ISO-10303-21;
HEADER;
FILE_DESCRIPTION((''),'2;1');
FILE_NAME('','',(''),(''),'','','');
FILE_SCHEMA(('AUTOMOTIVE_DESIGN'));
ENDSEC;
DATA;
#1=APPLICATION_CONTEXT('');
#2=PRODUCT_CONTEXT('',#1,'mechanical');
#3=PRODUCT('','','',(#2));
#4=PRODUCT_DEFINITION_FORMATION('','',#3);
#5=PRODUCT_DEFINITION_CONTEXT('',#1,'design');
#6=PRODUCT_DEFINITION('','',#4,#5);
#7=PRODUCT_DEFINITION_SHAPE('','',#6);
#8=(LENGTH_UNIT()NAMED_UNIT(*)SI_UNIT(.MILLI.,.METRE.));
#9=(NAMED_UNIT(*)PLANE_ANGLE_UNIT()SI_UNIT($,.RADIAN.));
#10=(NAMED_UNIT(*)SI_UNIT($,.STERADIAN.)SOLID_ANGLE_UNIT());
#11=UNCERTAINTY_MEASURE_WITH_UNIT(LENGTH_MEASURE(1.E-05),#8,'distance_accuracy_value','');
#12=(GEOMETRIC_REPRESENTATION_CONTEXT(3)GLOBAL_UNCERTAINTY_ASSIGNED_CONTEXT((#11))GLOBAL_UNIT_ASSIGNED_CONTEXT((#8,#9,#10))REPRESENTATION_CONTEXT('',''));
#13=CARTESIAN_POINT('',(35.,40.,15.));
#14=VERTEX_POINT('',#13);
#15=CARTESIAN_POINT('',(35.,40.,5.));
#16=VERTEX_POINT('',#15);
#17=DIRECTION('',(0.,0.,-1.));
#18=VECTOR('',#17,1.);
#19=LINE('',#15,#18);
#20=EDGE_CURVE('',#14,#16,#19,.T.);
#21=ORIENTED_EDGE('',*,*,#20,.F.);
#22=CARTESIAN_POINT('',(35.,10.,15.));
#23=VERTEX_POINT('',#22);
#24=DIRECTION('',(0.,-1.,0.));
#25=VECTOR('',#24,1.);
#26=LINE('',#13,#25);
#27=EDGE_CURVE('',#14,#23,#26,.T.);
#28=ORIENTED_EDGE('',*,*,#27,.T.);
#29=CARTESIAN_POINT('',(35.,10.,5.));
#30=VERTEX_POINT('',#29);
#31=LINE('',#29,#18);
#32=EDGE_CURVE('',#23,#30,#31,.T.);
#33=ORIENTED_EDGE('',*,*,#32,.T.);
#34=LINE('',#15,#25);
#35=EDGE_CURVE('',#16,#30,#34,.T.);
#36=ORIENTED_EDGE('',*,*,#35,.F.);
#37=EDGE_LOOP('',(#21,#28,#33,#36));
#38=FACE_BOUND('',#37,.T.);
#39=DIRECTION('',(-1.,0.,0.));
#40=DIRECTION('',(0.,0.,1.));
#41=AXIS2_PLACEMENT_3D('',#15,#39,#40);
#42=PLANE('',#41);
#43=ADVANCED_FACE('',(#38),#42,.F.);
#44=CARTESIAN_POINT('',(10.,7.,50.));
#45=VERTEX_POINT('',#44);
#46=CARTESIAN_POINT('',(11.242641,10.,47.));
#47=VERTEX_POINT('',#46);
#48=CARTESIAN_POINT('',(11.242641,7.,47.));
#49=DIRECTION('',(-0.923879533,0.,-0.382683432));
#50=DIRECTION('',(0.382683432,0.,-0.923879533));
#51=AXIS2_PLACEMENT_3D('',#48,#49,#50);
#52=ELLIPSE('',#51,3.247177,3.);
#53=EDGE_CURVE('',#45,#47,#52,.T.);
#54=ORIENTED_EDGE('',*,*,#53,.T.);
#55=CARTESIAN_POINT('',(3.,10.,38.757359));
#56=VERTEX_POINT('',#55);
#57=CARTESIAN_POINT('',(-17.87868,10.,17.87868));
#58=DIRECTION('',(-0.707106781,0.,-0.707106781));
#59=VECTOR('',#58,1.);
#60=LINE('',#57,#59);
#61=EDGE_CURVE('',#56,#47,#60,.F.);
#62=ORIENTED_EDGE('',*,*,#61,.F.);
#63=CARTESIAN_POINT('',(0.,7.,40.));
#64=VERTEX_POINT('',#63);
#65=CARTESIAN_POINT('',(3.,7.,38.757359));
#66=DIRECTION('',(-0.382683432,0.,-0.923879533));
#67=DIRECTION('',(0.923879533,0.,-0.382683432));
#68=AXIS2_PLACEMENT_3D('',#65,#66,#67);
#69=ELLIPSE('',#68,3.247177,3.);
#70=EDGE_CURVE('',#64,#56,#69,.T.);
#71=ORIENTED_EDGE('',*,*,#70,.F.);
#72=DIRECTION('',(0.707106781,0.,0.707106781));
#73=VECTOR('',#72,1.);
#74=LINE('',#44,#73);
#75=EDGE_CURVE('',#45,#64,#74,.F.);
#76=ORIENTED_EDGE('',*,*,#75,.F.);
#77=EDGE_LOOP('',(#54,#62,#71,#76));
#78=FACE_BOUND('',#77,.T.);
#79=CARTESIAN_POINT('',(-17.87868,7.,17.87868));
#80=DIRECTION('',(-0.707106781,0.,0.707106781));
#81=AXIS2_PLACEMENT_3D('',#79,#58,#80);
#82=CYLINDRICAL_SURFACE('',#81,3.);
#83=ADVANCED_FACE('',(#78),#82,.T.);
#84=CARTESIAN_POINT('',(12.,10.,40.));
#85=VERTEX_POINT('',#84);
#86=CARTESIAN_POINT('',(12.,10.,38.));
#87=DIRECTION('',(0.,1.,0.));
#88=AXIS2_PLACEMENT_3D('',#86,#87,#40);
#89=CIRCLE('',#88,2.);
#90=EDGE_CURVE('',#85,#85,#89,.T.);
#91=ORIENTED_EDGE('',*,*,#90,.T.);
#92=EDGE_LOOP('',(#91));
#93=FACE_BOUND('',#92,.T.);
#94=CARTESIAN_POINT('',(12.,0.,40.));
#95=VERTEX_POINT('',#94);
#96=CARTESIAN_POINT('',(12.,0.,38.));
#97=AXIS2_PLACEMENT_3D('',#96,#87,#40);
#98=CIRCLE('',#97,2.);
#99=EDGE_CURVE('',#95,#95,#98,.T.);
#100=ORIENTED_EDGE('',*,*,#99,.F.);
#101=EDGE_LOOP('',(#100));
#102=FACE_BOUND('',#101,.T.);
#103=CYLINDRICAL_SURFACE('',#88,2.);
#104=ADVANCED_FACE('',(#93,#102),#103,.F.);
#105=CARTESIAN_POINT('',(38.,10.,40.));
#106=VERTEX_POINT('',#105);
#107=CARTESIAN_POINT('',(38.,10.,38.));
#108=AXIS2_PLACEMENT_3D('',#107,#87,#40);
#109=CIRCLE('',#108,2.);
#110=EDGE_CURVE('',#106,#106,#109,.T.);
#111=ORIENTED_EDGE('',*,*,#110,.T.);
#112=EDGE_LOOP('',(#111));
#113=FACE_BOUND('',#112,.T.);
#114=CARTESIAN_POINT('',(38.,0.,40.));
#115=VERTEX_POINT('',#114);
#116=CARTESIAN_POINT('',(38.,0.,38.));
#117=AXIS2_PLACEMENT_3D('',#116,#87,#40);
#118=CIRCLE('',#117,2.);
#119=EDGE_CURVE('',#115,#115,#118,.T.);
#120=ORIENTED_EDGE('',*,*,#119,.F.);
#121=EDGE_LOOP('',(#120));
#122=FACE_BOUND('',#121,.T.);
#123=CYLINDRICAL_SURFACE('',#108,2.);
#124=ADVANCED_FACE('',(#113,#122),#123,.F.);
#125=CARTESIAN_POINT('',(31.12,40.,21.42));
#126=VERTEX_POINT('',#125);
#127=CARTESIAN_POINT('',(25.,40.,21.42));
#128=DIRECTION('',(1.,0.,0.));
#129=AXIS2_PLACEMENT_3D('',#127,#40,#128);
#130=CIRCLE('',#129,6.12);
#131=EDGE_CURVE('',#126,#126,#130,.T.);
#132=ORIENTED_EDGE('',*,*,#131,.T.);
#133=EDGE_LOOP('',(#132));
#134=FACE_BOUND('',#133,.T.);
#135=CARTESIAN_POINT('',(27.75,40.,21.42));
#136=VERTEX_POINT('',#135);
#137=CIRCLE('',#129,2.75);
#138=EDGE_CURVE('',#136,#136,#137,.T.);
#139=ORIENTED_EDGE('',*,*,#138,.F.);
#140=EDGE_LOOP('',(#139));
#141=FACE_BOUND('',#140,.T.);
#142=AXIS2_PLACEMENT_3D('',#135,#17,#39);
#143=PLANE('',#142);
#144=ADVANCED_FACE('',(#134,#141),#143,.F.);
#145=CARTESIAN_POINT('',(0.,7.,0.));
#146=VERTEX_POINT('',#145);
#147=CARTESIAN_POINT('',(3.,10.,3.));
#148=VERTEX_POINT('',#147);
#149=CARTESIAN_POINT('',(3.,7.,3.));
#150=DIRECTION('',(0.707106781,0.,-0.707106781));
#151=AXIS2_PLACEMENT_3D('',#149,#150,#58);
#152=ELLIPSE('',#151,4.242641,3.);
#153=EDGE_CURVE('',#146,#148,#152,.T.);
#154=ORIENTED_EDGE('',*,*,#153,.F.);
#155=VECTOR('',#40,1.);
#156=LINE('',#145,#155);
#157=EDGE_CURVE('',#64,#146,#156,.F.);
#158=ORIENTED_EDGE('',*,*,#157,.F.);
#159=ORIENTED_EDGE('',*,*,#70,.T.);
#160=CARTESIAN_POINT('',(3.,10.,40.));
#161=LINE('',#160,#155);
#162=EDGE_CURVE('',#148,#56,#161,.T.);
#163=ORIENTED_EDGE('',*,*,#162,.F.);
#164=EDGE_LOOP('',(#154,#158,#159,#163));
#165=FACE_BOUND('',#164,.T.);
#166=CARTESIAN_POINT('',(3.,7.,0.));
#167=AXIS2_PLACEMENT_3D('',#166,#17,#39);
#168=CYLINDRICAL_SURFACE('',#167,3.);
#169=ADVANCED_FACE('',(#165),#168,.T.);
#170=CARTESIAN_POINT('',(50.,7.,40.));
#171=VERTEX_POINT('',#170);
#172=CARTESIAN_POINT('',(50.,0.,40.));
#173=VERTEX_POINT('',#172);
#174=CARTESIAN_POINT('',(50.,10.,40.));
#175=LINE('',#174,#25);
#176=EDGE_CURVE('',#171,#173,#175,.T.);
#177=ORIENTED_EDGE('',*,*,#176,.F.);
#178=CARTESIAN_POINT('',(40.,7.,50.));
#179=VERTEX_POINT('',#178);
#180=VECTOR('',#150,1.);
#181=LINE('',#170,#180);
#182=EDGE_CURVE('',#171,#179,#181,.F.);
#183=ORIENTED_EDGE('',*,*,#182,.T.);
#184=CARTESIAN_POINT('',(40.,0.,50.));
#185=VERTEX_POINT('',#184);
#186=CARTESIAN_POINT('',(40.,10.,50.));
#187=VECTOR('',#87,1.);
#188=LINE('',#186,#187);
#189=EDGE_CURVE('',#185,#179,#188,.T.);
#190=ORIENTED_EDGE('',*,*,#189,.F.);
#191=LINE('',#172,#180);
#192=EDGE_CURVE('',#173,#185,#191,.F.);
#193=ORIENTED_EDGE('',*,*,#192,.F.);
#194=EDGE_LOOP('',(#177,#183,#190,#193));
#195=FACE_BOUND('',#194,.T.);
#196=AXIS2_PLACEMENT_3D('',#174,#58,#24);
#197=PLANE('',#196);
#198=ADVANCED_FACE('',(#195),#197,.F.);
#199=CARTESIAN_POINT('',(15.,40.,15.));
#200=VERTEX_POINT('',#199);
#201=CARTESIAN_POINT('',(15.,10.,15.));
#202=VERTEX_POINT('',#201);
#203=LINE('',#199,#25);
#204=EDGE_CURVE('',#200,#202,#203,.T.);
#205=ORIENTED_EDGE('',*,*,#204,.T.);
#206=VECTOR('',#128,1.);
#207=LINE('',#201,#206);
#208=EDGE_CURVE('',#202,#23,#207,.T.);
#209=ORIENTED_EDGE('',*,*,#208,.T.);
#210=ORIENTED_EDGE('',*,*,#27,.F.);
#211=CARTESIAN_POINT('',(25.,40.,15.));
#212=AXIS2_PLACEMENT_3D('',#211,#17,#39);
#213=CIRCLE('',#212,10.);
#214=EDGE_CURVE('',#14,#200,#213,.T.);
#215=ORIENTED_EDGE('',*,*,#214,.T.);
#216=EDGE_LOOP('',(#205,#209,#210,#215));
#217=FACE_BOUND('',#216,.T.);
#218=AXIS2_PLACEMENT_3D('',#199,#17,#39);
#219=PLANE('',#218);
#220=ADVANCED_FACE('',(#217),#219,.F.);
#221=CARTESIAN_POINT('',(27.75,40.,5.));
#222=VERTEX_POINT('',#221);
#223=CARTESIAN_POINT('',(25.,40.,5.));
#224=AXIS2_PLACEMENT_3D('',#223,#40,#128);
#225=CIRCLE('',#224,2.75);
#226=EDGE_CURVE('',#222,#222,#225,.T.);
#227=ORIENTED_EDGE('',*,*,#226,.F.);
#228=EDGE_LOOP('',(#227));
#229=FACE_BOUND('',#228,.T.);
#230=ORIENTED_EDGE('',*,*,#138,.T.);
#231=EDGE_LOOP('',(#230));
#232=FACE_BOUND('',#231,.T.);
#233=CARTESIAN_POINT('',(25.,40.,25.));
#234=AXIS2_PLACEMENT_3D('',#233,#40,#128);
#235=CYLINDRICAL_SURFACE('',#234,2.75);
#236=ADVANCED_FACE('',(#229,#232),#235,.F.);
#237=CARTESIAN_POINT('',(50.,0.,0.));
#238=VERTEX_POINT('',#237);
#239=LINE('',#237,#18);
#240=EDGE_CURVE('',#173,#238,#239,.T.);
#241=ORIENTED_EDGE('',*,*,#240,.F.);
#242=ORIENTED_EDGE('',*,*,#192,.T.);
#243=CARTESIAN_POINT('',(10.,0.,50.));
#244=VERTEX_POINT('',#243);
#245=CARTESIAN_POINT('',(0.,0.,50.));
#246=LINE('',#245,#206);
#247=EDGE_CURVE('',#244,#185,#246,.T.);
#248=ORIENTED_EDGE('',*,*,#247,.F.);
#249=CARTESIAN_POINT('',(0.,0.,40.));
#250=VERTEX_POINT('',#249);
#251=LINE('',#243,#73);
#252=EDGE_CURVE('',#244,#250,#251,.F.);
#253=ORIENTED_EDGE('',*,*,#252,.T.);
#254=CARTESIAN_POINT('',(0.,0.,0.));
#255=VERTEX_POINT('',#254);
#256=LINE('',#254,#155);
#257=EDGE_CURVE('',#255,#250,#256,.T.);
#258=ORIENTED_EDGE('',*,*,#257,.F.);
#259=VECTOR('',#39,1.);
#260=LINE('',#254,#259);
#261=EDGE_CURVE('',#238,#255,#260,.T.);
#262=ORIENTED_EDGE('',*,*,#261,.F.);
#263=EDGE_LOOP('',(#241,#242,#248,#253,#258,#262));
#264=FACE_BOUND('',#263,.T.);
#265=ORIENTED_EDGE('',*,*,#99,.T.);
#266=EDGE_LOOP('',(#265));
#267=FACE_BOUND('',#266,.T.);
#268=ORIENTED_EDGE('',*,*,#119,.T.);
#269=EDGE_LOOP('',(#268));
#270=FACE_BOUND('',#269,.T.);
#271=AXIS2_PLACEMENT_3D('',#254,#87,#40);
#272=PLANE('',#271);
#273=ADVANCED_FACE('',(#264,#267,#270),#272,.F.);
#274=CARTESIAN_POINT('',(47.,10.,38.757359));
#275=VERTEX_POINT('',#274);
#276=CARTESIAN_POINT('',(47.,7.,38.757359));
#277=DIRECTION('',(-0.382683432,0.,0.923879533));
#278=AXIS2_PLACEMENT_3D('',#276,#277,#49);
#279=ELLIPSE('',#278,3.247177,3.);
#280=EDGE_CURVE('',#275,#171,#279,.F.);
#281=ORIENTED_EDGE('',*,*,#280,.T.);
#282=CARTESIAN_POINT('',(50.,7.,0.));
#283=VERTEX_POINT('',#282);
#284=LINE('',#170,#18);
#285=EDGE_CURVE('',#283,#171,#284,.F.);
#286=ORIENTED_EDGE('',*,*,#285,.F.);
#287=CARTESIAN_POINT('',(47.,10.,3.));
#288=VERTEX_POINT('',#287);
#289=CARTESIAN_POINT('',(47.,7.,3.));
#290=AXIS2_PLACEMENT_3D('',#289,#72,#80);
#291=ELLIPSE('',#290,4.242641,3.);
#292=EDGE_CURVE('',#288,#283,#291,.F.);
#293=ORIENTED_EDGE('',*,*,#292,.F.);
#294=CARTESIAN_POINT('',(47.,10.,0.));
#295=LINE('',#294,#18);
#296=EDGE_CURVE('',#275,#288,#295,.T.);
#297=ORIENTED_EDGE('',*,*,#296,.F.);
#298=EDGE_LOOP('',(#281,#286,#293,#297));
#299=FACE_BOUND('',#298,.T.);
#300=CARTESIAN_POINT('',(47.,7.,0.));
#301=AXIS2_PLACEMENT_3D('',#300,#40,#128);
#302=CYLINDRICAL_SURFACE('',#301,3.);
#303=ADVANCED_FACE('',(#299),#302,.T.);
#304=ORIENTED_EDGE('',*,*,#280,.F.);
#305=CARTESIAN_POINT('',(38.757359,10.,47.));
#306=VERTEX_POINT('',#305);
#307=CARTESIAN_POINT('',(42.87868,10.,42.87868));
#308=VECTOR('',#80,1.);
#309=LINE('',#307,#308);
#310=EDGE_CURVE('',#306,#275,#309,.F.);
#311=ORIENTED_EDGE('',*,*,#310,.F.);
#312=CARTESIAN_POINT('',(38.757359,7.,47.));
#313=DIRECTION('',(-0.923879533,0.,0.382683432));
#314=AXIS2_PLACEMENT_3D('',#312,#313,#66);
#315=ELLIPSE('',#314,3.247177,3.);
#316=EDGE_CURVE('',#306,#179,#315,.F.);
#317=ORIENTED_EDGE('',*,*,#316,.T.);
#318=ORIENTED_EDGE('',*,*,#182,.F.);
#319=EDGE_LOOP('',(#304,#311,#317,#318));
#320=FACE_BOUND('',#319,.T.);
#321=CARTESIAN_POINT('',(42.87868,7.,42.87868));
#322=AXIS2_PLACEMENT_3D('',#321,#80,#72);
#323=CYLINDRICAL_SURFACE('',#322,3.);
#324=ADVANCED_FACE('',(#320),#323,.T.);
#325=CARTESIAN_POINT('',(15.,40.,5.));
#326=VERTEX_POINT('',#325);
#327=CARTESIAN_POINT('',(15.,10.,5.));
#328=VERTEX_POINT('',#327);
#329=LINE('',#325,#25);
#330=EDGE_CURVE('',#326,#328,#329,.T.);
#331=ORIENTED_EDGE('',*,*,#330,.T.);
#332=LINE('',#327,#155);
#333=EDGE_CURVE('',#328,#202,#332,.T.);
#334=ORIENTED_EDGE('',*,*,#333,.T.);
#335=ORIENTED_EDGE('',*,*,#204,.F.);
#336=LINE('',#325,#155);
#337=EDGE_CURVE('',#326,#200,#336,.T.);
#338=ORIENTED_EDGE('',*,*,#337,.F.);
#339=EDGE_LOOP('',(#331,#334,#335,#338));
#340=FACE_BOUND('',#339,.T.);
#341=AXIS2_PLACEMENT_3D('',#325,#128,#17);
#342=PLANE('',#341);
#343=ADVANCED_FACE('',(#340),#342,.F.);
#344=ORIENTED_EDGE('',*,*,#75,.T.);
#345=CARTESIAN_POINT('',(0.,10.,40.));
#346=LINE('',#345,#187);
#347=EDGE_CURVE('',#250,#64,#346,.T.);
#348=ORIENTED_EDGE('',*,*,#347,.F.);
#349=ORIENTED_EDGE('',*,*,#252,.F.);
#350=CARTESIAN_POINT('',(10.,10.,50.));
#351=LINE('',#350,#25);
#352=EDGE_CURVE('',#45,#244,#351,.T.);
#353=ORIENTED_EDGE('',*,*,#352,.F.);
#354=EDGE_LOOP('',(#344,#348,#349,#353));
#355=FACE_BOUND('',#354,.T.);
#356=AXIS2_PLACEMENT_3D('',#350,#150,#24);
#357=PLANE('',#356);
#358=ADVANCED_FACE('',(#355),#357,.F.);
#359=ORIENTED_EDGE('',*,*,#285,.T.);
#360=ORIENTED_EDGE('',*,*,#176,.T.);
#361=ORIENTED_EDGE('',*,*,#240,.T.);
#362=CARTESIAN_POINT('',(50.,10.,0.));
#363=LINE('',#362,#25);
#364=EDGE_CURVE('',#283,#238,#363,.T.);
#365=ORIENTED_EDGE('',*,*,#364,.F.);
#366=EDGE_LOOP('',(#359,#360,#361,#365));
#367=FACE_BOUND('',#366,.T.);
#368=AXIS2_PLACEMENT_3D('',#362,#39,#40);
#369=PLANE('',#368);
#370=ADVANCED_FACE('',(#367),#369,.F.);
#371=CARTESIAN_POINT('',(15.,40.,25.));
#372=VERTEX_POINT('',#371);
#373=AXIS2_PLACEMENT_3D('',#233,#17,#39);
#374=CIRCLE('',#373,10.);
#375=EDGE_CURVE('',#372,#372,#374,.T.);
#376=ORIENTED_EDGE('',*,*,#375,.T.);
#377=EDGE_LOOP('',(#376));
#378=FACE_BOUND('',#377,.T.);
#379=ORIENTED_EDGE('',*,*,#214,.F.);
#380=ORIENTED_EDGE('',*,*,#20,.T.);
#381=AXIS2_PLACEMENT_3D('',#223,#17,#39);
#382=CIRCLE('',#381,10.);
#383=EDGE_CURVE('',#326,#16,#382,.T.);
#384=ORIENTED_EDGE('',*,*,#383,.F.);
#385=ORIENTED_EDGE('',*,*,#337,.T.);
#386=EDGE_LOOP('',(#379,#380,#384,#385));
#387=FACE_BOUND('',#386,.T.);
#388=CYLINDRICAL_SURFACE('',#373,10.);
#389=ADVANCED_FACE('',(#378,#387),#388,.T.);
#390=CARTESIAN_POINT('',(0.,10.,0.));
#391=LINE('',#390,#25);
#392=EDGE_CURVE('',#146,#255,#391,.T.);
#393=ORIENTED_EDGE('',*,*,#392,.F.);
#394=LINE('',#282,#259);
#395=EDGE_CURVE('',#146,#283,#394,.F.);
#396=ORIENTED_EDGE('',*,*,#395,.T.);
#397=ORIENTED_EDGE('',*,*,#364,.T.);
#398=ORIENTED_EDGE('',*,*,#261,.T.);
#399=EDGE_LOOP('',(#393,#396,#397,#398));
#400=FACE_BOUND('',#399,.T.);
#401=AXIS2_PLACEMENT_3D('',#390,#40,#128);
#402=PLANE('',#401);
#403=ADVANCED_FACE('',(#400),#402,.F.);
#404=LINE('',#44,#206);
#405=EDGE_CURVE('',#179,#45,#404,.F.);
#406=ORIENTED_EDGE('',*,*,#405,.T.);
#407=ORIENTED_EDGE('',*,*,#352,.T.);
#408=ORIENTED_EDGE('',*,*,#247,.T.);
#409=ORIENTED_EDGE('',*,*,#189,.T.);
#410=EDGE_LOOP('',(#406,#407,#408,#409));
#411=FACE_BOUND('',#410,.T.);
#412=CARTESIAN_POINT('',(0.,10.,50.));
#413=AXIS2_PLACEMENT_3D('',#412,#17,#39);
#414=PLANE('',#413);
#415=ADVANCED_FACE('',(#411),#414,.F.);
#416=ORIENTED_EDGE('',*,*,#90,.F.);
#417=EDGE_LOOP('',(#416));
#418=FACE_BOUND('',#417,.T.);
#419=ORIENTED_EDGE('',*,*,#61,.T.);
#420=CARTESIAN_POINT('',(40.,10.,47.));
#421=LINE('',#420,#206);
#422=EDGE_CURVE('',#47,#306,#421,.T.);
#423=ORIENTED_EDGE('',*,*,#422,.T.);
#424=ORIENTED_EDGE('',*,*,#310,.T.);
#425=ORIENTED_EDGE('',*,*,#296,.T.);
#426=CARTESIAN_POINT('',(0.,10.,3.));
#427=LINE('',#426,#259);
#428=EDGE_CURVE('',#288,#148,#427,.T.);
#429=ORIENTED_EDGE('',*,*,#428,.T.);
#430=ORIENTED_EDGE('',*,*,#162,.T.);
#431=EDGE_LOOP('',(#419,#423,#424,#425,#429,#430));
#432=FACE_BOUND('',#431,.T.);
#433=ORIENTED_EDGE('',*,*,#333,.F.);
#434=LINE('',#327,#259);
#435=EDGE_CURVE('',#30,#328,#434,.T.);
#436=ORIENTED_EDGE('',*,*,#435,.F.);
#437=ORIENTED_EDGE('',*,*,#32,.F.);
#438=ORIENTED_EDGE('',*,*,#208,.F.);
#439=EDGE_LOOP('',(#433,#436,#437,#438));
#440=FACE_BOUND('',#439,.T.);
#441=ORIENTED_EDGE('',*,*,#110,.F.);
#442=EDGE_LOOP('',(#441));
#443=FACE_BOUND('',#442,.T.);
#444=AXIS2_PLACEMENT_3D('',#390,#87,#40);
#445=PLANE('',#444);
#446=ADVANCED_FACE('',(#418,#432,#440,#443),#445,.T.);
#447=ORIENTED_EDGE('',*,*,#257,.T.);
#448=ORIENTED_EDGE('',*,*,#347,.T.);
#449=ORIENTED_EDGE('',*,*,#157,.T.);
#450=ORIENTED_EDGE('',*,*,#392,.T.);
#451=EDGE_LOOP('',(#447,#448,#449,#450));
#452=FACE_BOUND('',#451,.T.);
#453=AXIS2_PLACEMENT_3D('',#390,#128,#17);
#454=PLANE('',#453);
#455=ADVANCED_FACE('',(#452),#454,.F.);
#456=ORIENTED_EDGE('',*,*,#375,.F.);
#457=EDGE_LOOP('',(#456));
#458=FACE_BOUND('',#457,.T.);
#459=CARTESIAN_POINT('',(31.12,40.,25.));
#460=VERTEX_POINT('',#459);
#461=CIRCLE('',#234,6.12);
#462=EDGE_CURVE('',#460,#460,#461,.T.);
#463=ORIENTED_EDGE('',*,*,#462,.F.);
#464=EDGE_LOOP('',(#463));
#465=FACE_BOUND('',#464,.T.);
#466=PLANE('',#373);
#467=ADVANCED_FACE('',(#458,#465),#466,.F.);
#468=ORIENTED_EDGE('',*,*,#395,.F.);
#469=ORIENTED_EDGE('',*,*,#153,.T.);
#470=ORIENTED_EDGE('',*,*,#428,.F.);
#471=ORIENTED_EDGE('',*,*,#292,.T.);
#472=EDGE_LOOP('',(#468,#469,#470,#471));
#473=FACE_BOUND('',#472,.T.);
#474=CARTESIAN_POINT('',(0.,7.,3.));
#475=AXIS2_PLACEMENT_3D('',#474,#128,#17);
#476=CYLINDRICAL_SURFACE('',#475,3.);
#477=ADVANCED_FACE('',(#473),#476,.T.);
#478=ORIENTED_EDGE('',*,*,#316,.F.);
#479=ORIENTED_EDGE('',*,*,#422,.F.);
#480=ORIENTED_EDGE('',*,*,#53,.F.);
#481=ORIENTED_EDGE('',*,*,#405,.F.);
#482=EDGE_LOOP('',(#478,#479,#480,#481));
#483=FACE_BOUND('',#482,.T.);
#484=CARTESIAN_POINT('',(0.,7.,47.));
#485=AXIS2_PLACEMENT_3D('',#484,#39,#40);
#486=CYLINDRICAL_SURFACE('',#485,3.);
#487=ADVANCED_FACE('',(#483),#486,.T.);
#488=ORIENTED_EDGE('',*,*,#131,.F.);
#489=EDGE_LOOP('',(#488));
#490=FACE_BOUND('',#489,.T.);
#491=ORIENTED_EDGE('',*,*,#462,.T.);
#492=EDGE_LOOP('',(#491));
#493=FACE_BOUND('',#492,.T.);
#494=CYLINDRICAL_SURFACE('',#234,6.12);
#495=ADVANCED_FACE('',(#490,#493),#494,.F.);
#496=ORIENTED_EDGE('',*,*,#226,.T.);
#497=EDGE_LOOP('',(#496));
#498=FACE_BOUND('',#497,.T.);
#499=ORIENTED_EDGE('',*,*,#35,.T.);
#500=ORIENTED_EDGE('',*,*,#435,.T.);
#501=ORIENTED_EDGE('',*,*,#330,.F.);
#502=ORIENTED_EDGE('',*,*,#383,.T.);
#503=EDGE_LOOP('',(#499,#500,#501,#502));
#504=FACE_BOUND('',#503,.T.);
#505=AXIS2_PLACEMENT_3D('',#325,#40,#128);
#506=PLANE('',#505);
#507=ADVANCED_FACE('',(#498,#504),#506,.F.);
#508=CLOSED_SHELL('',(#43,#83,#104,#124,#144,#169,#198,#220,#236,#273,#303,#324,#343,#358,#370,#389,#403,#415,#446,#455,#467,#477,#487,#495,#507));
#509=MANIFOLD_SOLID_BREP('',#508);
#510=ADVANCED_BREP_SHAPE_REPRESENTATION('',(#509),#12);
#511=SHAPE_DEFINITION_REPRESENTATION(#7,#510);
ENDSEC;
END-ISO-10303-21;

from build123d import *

# Parameters (mm, degrees)
SKETCH1_W                               = 50
SKETCH1_H                               = 50
BOSS_EXTRUDE1_DEPTH                     = 10
SKETCH2_W                               = 20
SKETCH2_H                               = 10
BOSS_EXTRUDE2_DEPTH                     = 30
SKETCH3_R                               = 10
BOSS_EXTRUDE3_DEPTH                     = 20
CBORE_FOR_M5_HEX_HEAD_BOLT1_D           = 5.5
CBORE_FOR_M5_HEX_HEAD_BOLT1_CBORE_D     = 12.24
CBORE_FOR_M5_HEX_HEAD_BOLT1_CBORE_DEPTH = 3.58
F_4_0MM_DOWEL_HOLE1_D                   = 4
CHAMFER1_SIZE                           = 10
FILLET1_R                               = 3


with BuildPart() as part:
    # Sketch1 → Boss-Extrude1 (new body)
    with BuildSketch(Plane(origin=(0, 0, 0), x_dir=(1, 0, 0), z_dir=(0, 1, 0))):
        with Locations((25, -25)):
            Rectangle(SKETCH1_W, SKETCH1_H)
    extrude(amount=BOSS_EXTRUDE1_DEPTH)

    # Sketch2 → Boss-Extrude2 (add)
    with BuildSketch(Plane(origin=(0, 10, 0), x_dir=(1, 0, 0), z_dir=(0, 1, 0))):
        with Locations((25, -10)):
            Rectangle(SKETCH2_W, SKETCH2_H)
    extrude(amount=BOSS_EXTRUDE2_DEPTH)

    # Sketch3 → Boss-Extrude3 (add)
    with BuildSketch(Plane(origin=(0, 0, 5), x_dir=(-1, 0, 0), z_dir=(0, 0, -1))):
        with Locations((-25, 40)):
            Circle(SKETCH3_R)
    extrude(amount=-BOSS_EXTRUDE3_DEPTH)

    # CBORE for M5 Hex Head Bolt1 (through all)
    with Locations(Plane.XY.offset(25)):
        with Locations((25, 40)):
            CounterBoreHole(CBORE_FOR_M5_HEX_HEAD_BOLT1_D / 2, CBORE_FOR_M5_HEX_HEAD_BOLT1_CBORE_D / 2, CBORE_FOR_M5_HEX_HEAD_BOLT1_CBORE_DEPTH)

    # Ø4.0mm Dowel Hole1 (through all)
    with Locations(Plane(origin=(0, 10, 0), x_dir=(1, 0, 0), z_dir=(0, 1, 0))):
        with Locations((12, -38), (38, -38)):
            Hole(F_4_0MM_DOWEL_HOLE1_D / 2)

    # Chamfer1
    chamfer1_edges = [part.edges().sort_by_distance(p)[0] for p in [
        (50, 5, 50),
        (0, 5, 50),
    ]]
    chamfer(chamfer1_edges, length=CHAMFER1_SIZE)

    # Fillet1
    fillet1_edges = [part.edges().sort_by_distance(p)[0] for p in [
        (25, 10, 0),
        (0, 10, 20),
        (50, 10, 20),
        (25, 10, 50),
        (5, 10, 45),
        (45, 10, 45),
    ]]
    fillet(fillet1_edges, radius=FILLET1_R)


solid = part.part
